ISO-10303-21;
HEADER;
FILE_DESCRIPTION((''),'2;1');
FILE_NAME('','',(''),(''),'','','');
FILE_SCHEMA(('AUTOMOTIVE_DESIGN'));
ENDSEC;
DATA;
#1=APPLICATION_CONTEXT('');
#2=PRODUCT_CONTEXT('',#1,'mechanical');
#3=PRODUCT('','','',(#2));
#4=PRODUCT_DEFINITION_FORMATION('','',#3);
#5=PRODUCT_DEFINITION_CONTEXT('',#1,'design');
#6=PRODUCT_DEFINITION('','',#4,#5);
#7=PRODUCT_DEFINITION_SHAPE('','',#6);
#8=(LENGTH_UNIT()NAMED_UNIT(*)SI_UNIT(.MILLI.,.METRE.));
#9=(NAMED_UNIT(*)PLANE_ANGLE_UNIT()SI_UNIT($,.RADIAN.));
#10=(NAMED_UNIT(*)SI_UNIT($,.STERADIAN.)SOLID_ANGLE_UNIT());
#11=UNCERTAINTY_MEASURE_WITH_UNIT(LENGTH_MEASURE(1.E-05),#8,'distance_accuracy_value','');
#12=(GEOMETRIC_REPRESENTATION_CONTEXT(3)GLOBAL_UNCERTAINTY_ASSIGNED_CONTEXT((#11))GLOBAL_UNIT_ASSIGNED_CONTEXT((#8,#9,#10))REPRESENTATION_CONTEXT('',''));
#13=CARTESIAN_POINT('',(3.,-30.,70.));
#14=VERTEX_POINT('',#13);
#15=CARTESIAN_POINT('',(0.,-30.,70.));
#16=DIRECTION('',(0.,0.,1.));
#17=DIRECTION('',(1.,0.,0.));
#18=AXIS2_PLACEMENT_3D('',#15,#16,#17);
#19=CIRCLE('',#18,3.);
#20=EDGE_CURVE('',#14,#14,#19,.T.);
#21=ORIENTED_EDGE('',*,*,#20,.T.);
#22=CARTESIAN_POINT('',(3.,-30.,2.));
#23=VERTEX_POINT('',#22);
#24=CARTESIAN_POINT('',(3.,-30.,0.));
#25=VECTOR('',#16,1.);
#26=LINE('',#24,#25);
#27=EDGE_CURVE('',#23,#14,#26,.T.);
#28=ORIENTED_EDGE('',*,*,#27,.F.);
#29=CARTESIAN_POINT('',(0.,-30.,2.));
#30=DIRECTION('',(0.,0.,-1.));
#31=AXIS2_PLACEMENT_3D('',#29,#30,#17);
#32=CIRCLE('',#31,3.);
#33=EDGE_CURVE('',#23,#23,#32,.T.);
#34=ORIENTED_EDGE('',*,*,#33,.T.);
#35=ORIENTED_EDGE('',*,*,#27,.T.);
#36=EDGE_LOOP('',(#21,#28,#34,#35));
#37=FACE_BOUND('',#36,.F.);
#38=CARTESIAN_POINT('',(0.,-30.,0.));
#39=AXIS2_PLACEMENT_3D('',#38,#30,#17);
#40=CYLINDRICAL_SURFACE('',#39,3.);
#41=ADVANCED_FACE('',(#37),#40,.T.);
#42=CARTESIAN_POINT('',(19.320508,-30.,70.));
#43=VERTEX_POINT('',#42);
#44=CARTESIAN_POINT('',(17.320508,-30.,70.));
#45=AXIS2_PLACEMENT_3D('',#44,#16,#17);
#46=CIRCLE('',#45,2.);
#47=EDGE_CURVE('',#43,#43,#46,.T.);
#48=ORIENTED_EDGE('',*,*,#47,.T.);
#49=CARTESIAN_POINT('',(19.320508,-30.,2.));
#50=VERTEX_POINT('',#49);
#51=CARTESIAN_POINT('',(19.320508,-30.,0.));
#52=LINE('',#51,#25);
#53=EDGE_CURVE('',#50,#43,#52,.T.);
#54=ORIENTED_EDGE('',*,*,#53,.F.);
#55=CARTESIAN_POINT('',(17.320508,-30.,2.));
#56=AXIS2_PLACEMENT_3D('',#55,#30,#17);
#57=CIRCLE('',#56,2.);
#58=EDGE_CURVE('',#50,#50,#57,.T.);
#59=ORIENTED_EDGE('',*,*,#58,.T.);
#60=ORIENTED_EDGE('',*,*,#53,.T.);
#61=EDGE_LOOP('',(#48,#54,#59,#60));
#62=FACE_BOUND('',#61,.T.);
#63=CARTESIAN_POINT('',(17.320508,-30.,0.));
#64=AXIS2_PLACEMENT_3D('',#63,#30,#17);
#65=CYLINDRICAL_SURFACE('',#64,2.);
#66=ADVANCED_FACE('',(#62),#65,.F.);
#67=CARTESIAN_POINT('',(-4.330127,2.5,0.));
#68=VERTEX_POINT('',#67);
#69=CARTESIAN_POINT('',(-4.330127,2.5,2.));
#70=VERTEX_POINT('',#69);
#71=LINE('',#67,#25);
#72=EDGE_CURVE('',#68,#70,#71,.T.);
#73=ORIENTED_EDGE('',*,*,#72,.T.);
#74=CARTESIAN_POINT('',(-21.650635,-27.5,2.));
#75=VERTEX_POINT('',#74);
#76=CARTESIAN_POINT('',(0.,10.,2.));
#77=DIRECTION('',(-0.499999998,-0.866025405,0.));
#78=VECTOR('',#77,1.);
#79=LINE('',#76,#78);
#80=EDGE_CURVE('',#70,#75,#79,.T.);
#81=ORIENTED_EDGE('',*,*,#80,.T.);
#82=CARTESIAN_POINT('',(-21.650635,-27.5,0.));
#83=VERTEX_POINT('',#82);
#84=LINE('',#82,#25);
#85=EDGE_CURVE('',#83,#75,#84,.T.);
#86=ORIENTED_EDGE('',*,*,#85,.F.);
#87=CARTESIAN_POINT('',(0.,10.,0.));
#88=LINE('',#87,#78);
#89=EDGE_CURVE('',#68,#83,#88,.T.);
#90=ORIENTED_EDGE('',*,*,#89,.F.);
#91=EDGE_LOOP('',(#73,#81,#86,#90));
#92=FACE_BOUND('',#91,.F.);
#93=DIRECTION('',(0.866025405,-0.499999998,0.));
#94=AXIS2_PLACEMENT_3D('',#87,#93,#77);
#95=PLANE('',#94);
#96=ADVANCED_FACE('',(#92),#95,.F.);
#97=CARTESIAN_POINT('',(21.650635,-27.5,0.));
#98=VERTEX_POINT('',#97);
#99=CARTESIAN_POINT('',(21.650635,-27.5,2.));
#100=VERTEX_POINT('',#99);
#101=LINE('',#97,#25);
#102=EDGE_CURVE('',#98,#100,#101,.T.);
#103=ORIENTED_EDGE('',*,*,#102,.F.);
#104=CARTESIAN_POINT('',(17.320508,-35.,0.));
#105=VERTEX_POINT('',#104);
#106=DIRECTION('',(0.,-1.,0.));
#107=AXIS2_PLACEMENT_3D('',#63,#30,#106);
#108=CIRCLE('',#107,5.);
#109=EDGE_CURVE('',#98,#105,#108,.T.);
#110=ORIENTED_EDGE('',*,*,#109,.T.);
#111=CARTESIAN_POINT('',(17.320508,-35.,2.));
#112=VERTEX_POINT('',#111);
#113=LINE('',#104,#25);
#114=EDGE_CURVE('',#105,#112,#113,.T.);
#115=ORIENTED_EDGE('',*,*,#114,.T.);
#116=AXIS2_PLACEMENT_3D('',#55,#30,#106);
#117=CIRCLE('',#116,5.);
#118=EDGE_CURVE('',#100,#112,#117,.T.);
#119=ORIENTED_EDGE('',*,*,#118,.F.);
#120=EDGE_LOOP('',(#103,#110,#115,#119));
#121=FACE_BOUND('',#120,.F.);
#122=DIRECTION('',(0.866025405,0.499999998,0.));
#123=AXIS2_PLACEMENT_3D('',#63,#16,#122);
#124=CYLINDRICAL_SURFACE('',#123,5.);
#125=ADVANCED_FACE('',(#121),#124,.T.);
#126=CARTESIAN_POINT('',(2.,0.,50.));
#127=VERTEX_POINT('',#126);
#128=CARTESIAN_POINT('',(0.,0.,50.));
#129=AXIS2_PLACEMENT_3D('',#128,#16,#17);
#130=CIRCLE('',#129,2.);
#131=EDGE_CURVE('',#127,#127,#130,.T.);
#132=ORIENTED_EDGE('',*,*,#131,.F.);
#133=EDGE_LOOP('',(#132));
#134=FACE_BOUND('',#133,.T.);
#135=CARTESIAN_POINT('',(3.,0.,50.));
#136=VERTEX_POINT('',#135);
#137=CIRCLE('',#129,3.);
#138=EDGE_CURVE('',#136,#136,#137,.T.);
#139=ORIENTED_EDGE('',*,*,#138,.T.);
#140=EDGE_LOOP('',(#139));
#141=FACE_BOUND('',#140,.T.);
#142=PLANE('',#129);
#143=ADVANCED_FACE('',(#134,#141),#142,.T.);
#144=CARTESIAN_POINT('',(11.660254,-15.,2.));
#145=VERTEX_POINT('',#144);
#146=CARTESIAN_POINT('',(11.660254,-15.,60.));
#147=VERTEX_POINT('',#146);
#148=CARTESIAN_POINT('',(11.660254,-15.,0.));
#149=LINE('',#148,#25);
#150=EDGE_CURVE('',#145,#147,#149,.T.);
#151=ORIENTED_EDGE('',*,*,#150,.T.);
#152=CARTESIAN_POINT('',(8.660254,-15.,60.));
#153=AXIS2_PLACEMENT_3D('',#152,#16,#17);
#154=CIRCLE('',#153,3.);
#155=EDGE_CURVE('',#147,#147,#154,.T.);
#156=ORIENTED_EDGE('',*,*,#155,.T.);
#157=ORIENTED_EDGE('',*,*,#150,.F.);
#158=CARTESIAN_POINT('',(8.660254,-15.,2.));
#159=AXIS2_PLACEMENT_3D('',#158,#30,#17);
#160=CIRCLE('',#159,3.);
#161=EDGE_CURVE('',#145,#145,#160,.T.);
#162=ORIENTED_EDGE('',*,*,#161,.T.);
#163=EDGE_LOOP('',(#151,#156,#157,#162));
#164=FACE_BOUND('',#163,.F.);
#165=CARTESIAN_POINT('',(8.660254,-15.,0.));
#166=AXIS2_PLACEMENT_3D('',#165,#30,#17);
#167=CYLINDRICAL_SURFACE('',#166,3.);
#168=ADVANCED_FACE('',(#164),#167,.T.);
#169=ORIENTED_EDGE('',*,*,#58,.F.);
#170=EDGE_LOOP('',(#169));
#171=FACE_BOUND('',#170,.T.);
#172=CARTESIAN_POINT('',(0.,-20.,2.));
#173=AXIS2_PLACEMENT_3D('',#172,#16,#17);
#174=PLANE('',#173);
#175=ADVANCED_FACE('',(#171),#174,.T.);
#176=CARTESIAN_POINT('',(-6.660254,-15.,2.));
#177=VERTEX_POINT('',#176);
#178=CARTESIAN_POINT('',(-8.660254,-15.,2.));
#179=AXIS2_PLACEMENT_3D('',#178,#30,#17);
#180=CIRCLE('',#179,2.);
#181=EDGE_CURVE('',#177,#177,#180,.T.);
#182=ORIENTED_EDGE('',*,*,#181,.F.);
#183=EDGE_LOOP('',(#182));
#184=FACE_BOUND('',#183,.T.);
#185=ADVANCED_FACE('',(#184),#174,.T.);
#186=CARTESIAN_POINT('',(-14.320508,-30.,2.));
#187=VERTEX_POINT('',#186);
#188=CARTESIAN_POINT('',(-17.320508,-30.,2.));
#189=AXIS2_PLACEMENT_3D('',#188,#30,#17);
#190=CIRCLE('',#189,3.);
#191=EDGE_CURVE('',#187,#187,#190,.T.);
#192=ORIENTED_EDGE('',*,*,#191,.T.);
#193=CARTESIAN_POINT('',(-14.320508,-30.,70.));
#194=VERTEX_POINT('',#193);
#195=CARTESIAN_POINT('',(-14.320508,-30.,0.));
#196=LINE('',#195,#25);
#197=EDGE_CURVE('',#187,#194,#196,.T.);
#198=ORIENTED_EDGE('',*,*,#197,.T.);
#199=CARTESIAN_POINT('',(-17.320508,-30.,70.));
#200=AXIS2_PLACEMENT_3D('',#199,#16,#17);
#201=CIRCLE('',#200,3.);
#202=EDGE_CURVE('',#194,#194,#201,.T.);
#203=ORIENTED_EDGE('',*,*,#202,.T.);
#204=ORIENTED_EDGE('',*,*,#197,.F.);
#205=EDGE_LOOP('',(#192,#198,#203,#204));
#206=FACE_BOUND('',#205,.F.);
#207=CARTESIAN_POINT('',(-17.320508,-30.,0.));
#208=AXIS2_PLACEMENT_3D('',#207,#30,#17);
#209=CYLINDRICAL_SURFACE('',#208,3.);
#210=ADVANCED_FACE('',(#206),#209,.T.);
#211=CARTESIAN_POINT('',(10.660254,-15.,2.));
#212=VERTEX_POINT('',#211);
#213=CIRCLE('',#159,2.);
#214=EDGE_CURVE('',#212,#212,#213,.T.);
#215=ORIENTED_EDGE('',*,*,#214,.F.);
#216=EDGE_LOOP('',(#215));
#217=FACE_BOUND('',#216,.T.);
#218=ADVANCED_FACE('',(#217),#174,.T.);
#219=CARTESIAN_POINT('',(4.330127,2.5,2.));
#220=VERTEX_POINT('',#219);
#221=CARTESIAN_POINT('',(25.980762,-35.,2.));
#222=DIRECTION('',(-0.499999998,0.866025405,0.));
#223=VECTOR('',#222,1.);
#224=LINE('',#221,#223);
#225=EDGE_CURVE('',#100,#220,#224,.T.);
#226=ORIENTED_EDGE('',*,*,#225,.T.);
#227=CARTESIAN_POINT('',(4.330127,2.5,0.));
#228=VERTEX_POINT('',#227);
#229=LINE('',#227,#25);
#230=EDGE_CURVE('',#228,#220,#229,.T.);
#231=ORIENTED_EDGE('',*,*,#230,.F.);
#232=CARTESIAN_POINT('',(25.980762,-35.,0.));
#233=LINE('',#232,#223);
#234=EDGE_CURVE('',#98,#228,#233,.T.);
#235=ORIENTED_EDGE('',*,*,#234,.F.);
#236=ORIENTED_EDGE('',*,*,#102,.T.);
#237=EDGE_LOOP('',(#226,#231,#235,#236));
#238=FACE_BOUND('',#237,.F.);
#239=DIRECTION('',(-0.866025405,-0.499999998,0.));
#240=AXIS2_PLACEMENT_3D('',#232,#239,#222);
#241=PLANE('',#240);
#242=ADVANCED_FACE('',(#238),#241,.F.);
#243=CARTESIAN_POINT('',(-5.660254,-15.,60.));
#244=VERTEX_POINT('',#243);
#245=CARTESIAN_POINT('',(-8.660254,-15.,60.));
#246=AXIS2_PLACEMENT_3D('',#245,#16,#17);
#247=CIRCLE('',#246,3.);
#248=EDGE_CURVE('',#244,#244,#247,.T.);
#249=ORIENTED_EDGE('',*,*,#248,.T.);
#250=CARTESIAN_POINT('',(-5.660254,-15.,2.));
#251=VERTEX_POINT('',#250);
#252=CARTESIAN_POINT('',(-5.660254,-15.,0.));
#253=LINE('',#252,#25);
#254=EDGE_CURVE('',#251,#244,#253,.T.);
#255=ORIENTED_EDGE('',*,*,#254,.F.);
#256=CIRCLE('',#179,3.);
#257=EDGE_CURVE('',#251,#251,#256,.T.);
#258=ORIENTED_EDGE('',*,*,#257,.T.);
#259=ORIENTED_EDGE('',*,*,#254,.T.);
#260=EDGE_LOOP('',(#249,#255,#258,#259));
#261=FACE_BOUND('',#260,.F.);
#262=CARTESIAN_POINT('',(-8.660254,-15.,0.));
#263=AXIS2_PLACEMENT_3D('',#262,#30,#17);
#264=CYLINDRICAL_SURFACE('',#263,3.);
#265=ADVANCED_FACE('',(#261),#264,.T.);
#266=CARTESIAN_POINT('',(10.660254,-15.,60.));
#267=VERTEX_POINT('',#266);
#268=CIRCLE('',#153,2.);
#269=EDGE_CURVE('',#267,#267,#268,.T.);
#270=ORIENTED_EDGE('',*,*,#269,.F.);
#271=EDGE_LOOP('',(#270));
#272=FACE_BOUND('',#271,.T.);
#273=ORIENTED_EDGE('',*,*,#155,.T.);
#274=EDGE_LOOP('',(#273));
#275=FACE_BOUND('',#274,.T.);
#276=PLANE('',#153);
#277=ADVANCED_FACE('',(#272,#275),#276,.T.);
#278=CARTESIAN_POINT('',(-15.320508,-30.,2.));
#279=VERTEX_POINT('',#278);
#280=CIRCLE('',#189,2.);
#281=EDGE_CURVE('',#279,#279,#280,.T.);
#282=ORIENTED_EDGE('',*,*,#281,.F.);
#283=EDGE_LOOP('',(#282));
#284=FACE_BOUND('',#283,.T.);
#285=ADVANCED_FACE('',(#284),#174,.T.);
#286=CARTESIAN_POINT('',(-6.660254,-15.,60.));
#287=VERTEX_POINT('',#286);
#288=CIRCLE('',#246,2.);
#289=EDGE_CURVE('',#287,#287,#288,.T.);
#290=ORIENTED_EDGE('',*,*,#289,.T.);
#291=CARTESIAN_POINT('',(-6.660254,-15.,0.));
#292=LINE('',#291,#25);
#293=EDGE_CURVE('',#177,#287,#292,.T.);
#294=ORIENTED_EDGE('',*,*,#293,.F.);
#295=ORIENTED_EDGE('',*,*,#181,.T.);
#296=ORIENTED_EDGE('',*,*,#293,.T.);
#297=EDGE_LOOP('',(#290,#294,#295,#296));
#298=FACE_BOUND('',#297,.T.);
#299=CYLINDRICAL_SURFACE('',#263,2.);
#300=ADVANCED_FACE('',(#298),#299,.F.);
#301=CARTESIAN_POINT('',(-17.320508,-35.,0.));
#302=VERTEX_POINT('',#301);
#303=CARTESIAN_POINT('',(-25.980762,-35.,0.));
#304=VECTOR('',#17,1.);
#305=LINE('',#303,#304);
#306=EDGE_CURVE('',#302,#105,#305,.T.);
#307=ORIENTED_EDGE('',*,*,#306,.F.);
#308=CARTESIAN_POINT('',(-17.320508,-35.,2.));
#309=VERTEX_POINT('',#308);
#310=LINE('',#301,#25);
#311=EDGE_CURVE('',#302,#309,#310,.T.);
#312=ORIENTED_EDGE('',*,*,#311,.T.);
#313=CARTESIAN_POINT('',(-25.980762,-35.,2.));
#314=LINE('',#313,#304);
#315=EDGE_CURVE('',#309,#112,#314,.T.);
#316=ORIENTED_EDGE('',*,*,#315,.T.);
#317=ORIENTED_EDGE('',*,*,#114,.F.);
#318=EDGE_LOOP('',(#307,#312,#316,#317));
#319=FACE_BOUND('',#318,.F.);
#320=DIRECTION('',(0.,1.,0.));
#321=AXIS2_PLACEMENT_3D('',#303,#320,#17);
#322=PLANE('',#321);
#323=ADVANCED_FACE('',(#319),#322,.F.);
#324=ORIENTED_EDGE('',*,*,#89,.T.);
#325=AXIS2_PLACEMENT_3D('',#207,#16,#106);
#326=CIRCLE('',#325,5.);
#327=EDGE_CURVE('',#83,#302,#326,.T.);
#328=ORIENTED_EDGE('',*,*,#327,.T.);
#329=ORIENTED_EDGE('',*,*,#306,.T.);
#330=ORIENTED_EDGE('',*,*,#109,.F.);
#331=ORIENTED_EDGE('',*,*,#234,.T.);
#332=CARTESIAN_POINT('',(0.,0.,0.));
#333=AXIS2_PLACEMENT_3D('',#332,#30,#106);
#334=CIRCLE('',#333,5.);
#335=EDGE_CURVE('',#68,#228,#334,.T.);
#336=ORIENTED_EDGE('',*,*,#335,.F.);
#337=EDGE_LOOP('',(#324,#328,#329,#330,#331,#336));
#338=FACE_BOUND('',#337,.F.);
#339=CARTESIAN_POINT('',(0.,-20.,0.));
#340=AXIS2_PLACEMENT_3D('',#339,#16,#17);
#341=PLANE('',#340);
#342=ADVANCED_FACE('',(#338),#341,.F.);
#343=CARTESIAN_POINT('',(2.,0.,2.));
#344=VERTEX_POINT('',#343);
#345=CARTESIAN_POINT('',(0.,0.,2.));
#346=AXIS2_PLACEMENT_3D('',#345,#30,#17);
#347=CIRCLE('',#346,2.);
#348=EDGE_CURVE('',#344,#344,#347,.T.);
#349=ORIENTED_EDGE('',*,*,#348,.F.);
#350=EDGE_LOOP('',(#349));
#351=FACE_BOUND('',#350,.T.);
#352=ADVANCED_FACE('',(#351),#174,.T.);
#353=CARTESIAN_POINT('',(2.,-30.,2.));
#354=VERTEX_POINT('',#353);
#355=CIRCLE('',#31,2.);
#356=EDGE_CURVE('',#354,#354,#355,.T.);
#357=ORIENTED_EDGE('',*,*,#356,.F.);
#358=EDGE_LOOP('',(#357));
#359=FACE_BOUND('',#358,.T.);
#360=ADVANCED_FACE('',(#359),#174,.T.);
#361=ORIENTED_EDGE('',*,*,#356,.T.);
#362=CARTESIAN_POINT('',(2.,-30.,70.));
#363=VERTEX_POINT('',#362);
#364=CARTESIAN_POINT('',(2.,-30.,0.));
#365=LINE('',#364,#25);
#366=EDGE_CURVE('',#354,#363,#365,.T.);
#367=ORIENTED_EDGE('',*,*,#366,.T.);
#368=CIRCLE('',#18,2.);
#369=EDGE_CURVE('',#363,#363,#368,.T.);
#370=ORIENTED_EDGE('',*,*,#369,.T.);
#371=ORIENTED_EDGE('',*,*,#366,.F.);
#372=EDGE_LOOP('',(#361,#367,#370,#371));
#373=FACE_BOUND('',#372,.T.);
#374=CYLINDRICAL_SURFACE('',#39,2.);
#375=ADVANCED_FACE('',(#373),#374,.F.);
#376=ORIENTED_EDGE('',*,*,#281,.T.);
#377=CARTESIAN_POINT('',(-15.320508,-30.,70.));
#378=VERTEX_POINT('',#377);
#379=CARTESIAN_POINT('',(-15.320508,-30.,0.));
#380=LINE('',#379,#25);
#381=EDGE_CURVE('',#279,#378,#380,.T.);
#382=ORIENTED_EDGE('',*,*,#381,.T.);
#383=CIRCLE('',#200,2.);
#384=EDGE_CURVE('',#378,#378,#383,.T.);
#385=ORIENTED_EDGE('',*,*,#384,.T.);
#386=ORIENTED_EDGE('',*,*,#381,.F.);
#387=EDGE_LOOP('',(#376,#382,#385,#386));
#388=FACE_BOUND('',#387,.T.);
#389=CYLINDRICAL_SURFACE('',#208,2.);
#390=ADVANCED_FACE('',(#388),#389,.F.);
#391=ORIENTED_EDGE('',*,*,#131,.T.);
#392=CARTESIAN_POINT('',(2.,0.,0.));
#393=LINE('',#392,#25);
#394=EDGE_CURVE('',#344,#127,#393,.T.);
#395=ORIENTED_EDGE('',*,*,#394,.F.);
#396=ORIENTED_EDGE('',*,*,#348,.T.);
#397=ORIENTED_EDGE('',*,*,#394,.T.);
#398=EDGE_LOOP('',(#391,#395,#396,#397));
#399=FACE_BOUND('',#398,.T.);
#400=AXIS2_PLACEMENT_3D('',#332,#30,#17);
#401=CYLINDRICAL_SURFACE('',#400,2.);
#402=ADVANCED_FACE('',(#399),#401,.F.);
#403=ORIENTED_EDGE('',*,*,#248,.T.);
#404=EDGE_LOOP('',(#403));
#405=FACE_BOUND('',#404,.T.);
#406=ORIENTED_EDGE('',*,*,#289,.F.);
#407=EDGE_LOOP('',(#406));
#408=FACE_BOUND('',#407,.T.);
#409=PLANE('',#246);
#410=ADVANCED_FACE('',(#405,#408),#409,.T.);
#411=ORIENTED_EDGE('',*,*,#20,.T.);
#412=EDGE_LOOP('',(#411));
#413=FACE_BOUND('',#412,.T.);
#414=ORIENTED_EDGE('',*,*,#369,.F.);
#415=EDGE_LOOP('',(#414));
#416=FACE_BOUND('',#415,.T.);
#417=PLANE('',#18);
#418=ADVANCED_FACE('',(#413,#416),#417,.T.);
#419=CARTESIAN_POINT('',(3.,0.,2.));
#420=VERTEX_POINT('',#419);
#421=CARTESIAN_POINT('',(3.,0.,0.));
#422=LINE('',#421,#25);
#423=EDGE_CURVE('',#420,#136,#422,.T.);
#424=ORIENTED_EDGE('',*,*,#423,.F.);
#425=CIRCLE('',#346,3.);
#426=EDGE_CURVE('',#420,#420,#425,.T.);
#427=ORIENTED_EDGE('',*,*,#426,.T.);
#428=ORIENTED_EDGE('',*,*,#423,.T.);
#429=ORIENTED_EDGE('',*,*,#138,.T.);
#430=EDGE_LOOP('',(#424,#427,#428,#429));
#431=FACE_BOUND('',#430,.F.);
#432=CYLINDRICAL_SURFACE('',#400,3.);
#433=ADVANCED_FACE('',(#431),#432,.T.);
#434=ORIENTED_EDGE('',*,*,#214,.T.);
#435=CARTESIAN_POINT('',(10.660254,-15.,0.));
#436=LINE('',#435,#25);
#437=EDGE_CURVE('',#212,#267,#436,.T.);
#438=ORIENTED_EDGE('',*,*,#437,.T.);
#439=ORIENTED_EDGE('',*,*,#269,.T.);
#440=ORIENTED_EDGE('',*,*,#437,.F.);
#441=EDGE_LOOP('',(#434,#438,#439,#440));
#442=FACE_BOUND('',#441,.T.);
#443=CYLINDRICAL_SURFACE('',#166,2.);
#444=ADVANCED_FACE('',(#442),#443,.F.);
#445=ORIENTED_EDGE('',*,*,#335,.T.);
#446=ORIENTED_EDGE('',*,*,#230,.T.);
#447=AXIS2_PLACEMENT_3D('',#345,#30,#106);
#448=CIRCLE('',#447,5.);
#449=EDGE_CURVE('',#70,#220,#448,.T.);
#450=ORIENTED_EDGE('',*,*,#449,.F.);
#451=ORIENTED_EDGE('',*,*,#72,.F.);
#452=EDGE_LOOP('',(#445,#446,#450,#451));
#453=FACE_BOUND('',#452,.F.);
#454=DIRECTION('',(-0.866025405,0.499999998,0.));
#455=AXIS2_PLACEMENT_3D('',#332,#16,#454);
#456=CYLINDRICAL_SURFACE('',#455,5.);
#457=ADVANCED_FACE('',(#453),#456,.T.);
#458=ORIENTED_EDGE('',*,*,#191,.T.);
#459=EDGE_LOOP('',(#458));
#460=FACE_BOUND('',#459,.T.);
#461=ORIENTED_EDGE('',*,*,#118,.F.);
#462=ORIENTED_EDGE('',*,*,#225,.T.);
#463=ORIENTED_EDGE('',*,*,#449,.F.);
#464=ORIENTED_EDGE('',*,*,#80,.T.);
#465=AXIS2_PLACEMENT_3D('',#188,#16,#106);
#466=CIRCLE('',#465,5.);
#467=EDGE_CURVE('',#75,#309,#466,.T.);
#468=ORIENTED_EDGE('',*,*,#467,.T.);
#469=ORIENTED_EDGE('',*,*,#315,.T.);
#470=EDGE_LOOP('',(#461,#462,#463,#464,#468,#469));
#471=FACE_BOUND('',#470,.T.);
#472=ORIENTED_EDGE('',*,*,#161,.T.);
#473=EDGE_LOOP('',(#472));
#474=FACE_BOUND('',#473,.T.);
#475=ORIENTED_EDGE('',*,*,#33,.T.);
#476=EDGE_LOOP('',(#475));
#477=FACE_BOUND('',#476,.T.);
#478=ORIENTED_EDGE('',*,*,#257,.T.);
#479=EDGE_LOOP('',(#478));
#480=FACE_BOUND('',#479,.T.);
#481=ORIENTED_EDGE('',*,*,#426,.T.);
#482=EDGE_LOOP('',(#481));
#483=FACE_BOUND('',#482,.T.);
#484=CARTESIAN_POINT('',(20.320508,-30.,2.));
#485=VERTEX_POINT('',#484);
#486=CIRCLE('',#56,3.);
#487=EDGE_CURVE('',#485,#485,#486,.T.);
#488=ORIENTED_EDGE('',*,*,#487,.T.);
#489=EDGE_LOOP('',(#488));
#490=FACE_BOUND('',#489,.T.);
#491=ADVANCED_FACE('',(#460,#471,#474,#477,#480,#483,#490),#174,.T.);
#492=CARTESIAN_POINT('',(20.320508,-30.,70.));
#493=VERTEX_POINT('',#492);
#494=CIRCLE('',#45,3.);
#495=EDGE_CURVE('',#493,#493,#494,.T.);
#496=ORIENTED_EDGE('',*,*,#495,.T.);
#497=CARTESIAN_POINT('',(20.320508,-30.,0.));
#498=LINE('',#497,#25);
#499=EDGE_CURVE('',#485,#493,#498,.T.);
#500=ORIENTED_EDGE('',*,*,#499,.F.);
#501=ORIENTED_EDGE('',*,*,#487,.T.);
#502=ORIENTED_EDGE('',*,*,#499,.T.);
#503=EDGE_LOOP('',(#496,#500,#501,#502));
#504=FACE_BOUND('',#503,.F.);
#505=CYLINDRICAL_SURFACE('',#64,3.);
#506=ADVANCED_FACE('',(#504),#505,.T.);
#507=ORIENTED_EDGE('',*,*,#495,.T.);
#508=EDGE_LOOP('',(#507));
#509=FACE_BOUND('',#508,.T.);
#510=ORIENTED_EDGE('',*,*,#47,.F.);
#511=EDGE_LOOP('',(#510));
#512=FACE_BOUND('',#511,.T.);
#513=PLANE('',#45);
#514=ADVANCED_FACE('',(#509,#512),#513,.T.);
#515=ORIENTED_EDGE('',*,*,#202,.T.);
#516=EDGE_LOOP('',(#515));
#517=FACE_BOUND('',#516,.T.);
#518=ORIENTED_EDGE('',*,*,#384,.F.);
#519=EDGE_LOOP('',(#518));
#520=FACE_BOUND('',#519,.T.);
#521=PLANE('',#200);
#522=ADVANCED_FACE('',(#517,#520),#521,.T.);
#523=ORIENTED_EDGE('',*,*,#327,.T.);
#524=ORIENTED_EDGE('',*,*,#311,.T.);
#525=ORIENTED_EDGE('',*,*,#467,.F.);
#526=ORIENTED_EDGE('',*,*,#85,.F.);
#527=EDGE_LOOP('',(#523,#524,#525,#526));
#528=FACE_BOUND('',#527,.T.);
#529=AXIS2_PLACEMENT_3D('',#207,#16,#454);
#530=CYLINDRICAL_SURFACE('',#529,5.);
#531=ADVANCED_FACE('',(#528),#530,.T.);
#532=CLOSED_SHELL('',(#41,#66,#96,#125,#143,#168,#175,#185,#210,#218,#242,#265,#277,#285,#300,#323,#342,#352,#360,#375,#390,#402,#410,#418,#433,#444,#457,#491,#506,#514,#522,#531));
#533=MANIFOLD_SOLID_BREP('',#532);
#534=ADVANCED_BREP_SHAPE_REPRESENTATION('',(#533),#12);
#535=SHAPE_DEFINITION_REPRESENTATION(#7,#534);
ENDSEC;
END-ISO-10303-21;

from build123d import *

# Parameters (mm, degrees)
F0_R     = 3
F0_R_2   = 2
F1_DEPTH = 50
F2_DEPTH = 60
F3_DEPTH = 60
F4_DEPTH = 70
F5_DEPTH = 70
F6_DEPTH = 70
F8_DEPTH = 2
F9_R     = 5


with BuildPart() as f1:
    # F0 (on Top) → F1 (new body)
    with BuildSketch(Plane.XY):
        Circle(F0_R)
        Circle(F0_R_2, mode=Mode.SUBTRACT)
    extrude(amount=F1_DEPTH)



with BuildPart() as f2:
    # F0 (on Top) → F2 (new body)
    with BuildSketch(Plane.XY):
        with Locations((-8.660254, -15)):
            Circle(F0_R)
        with Locations((-8.660254, -15)):
            Circle(F0_R_2, mode=Mode.SUBTRACT)
    extrude(amount=F2_DEPTH)


with BuildPart() as f3:
    # F0 (on Top) → F3 (new body)
    with BuildSketch(Plane.XY):
        with Locations((8.660254, -15)):
            Circle(F0_R)
        with Locations((8.660254, -15)):
            Circle(F0_R_2, mode=Mode.SUBTRACT)
    extrude(amount=F3_DEPTH)


with BuildPart() as f4:
    # F0 (on Top) → F4 (new body)
    with BuildSketch(Plane.XY):
        with Locations((17.320508, -30)):
            Circle(F0_R)
        with Locations((17.320508, -30)):
            Circle(F0_R_2, mode=Mode.SUBTRACT)
    extrude(amount=F4_DEPTH)


with BuildPart() as f5:
    # F0 (on Top) → F5 (new body)
    with BuildSketch(Plane.XY):
        with Locations((0, -30)):
            Circle(F0_R)
        with Locations((0, -30)):
            Circle(F0_R_2, mode=Mode.SUBTRACT)
    extrude(amount=F5_DEPTH)


with BuildPart() as f6:
    # F0 (on Top) → F6 (new body)
    with BuildSketch(Plane.XY):
        with Locations((-17.320508, -30)):
            Circle(F0_R)
        with Locations((-17.320508, -30)):
            Circle(F0_R_2, mode=Mode.SUBTRACT)
    extrude(amount=F6_DEPTH)


with BuildPart() as f1_1:
    add(f1.part)

    add(f2.part)  # F8 merges F2

    add(f3.part)  # F8 merges F3

    add(f4.part)  # F8 merges F4

    add(f5.part)  # F8 merges F5

    add(f6.part)  # F8 merges F6
    # F7 (on Top) → F8 (join)
    with BuildSketch(Plane.XY):
        Polygon((0, 10), (-25.980762, -35), (25.980762, -35), align=None)
    extrude(amount=F8_DEPTH)

    # F9
    f9_edges = [f1_1.edges().sort_by_distance(p)[0] for p in [
        (0, 10, 1),
        (-25.980762, -35, 1),
        (25.980762, -35, 1),
    ]]
    fillet(f9_edges, radius=F9_R)


solid = f1_1.part
